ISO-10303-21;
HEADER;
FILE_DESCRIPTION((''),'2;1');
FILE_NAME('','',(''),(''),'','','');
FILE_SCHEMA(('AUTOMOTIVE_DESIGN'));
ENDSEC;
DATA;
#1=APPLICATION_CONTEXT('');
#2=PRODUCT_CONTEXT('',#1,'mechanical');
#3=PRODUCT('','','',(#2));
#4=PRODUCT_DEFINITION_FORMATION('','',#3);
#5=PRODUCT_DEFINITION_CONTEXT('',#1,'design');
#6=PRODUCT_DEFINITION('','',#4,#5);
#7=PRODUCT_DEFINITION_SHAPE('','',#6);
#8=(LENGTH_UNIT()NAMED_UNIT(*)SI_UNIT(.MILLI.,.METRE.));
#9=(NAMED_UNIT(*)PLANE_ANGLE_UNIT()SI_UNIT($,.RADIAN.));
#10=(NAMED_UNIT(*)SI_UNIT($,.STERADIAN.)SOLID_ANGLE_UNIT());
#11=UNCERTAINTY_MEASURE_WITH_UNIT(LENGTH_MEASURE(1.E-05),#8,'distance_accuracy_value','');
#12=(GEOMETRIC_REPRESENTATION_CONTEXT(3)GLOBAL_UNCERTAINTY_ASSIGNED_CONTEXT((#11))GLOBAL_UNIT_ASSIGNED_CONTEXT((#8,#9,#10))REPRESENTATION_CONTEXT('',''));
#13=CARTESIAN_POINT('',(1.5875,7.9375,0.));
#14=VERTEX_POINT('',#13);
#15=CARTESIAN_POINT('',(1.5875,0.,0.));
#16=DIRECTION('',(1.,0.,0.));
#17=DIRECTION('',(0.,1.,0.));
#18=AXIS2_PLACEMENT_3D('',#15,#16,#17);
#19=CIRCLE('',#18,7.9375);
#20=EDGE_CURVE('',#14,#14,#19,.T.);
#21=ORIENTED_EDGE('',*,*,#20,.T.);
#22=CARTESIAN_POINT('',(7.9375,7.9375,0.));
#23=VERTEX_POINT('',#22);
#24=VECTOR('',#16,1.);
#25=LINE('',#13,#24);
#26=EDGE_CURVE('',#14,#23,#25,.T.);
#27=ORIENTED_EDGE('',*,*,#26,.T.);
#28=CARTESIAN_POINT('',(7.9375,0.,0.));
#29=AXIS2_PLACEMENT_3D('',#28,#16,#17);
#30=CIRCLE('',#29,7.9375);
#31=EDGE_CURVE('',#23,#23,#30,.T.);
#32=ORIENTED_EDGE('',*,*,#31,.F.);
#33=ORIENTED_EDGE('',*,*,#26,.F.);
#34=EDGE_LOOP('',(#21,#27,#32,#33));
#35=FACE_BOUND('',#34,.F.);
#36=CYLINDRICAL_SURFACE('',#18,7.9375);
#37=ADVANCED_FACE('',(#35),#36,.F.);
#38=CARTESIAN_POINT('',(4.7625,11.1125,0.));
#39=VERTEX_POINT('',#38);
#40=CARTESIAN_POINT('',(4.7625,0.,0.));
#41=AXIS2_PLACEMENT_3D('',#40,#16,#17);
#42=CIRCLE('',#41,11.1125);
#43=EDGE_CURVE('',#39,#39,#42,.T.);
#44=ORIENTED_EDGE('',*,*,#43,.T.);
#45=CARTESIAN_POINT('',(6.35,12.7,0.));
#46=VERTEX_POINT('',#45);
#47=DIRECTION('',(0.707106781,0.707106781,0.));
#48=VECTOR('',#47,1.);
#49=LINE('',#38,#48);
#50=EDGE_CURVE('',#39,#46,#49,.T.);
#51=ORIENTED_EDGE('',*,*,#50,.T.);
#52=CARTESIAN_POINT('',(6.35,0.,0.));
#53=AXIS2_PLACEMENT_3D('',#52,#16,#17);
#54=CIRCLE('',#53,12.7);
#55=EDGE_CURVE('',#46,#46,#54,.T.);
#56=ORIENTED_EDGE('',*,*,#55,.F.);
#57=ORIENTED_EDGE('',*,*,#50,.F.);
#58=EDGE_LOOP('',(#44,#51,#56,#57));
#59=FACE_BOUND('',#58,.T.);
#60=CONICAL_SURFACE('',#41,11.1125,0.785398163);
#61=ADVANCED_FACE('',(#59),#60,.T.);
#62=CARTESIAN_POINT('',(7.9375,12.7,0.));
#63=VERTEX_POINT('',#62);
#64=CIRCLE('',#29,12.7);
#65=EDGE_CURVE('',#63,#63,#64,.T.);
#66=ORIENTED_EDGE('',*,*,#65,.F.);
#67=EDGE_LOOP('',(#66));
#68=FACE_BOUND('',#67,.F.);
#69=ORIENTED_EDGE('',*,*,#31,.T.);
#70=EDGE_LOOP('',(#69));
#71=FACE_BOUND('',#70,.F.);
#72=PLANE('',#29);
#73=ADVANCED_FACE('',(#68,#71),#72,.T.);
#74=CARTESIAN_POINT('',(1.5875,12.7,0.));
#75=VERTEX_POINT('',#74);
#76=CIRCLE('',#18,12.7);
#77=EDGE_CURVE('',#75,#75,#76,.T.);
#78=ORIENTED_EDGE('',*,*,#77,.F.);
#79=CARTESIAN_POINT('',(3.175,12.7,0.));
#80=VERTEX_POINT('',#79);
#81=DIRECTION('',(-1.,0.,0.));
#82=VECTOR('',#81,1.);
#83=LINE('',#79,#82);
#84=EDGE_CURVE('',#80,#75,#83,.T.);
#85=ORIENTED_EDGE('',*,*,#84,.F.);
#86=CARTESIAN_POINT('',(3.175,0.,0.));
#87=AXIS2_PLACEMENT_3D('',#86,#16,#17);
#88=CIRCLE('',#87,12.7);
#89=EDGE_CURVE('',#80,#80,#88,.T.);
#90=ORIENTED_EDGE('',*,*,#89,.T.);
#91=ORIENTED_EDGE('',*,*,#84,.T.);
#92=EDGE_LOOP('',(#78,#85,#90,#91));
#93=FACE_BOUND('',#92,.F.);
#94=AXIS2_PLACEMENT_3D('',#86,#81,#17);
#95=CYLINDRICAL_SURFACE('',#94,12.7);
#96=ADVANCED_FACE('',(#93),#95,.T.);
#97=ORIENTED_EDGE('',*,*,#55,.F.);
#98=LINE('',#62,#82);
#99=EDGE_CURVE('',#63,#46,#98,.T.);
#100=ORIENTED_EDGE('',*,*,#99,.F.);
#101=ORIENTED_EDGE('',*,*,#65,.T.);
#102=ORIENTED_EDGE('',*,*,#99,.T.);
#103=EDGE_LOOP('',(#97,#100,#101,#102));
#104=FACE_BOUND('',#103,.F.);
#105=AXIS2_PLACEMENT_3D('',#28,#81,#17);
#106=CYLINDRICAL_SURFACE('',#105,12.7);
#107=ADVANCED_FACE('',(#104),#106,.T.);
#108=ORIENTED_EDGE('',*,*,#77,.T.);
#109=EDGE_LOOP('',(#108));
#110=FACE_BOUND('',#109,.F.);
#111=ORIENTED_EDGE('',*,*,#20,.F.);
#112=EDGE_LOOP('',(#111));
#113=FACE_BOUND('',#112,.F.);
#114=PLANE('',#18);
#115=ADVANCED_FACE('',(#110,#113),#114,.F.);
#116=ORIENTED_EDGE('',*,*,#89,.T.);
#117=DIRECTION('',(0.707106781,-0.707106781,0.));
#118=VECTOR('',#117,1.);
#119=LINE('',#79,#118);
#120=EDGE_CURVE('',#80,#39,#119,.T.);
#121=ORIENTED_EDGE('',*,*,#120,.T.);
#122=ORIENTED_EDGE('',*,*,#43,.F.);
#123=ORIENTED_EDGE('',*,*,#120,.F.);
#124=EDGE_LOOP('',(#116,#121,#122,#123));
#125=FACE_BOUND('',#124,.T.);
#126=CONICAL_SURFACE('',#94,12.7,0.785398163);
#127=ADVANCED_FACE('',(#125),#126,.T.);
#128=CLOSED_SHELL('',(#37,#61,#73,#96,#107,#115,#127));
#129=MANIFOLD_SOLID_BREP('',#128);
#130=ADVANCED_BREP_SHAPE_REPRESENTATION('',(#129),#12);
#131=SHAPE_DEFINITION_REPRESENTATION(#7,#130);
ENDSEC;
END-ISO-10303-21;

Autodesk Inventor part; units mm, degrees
ref_plane "YZ Plane" through (0, 0, 0) normal (1, 0, 0) x (0, 1, 0)
ref_plane "XZ Plane" through (0, 0, 0) normal (0, 1, 0) x (-1, 0, 0)
ref_plane "XY Plane" through (0, 0, 0) normal (0, 0, 1) x (1, 0, 0)
sketch "Sketch1" plane through (0, 0, 0) normal (0, 0, 1) x (1, 0, 0)
  line L0 (0, 0) -> (9.525, 0) construction
  line L1 (1.5875, 7.9375) -> (7.9375, 7.9375)
  line L2 (7.9375, 7.9375) -> (7.9375, 12.7)
  line L3 (1.5875, 12.7) -> (1.5875, 7.9375)
  line L4 (3.175, 12.7) -> (4.7625, 11.1125)
  line L5 (4.7625, 11.1125) -> (6.35, 12.7)
  line L6 (7.9375, 12.7) -> (6.35, 12.7)
  line L7 (3.175, 12.7) -> (1.5875, 12.7)
  line L8 (1.5875, 7.9375) -> (0, 7.9375)
  line L9 (0, 7.9375) -> (0, 6.6675)
  line L10 (0, 6.6675) -> (0.635, 6.6675)
  line L11 (0.635, 6.6675) -> (0.635, 5.08)
  line L12 (0.635, 5.08) -> (0, 5.08)
  line L13 (0, 5.08) -> (0, 2.54)
  line L14 (0, 2.54) -> (9.525, 2.54)
  line L15 (9.525, 2.54) -> (9.525, 5.08)
  line L16 (9.525, 5.08) -> (8.89, 5.08)
  line L17 (8.89, 5.08) -> (8.89, 6.6675)
  line L18 (8.89, 6.6675) -> (9.525, 6.6675)
  line L19 (9.525, 6.6675) -> (9.525, 7.9375)
  line L20 (9.525, 7.9375) -> (7.9375, 7.9375)
  point P0 (4.7625, 7.9375)
  dimension "d0" = 6.35
  dimension "d1" = 4.7625
  dimension "d2" = 1.5875
  dimension "d3" = 7.9375
  dimension "d5" = 11.1125
  dimension "d6" = 9.525
  dimension "d7" = 1.27
  dimension "d8" = 1.5875
  dimension "d9" = 2.54
  dimension "d10" = 0.635
revolve "Revolution1" add sketch "Sketch1" angle 360 about axis through (0, 0, 0) along (1, 0, 0) contours L3 L7 L4 L5 L6 L2 L1
properties part number "8 ball cable roller"
